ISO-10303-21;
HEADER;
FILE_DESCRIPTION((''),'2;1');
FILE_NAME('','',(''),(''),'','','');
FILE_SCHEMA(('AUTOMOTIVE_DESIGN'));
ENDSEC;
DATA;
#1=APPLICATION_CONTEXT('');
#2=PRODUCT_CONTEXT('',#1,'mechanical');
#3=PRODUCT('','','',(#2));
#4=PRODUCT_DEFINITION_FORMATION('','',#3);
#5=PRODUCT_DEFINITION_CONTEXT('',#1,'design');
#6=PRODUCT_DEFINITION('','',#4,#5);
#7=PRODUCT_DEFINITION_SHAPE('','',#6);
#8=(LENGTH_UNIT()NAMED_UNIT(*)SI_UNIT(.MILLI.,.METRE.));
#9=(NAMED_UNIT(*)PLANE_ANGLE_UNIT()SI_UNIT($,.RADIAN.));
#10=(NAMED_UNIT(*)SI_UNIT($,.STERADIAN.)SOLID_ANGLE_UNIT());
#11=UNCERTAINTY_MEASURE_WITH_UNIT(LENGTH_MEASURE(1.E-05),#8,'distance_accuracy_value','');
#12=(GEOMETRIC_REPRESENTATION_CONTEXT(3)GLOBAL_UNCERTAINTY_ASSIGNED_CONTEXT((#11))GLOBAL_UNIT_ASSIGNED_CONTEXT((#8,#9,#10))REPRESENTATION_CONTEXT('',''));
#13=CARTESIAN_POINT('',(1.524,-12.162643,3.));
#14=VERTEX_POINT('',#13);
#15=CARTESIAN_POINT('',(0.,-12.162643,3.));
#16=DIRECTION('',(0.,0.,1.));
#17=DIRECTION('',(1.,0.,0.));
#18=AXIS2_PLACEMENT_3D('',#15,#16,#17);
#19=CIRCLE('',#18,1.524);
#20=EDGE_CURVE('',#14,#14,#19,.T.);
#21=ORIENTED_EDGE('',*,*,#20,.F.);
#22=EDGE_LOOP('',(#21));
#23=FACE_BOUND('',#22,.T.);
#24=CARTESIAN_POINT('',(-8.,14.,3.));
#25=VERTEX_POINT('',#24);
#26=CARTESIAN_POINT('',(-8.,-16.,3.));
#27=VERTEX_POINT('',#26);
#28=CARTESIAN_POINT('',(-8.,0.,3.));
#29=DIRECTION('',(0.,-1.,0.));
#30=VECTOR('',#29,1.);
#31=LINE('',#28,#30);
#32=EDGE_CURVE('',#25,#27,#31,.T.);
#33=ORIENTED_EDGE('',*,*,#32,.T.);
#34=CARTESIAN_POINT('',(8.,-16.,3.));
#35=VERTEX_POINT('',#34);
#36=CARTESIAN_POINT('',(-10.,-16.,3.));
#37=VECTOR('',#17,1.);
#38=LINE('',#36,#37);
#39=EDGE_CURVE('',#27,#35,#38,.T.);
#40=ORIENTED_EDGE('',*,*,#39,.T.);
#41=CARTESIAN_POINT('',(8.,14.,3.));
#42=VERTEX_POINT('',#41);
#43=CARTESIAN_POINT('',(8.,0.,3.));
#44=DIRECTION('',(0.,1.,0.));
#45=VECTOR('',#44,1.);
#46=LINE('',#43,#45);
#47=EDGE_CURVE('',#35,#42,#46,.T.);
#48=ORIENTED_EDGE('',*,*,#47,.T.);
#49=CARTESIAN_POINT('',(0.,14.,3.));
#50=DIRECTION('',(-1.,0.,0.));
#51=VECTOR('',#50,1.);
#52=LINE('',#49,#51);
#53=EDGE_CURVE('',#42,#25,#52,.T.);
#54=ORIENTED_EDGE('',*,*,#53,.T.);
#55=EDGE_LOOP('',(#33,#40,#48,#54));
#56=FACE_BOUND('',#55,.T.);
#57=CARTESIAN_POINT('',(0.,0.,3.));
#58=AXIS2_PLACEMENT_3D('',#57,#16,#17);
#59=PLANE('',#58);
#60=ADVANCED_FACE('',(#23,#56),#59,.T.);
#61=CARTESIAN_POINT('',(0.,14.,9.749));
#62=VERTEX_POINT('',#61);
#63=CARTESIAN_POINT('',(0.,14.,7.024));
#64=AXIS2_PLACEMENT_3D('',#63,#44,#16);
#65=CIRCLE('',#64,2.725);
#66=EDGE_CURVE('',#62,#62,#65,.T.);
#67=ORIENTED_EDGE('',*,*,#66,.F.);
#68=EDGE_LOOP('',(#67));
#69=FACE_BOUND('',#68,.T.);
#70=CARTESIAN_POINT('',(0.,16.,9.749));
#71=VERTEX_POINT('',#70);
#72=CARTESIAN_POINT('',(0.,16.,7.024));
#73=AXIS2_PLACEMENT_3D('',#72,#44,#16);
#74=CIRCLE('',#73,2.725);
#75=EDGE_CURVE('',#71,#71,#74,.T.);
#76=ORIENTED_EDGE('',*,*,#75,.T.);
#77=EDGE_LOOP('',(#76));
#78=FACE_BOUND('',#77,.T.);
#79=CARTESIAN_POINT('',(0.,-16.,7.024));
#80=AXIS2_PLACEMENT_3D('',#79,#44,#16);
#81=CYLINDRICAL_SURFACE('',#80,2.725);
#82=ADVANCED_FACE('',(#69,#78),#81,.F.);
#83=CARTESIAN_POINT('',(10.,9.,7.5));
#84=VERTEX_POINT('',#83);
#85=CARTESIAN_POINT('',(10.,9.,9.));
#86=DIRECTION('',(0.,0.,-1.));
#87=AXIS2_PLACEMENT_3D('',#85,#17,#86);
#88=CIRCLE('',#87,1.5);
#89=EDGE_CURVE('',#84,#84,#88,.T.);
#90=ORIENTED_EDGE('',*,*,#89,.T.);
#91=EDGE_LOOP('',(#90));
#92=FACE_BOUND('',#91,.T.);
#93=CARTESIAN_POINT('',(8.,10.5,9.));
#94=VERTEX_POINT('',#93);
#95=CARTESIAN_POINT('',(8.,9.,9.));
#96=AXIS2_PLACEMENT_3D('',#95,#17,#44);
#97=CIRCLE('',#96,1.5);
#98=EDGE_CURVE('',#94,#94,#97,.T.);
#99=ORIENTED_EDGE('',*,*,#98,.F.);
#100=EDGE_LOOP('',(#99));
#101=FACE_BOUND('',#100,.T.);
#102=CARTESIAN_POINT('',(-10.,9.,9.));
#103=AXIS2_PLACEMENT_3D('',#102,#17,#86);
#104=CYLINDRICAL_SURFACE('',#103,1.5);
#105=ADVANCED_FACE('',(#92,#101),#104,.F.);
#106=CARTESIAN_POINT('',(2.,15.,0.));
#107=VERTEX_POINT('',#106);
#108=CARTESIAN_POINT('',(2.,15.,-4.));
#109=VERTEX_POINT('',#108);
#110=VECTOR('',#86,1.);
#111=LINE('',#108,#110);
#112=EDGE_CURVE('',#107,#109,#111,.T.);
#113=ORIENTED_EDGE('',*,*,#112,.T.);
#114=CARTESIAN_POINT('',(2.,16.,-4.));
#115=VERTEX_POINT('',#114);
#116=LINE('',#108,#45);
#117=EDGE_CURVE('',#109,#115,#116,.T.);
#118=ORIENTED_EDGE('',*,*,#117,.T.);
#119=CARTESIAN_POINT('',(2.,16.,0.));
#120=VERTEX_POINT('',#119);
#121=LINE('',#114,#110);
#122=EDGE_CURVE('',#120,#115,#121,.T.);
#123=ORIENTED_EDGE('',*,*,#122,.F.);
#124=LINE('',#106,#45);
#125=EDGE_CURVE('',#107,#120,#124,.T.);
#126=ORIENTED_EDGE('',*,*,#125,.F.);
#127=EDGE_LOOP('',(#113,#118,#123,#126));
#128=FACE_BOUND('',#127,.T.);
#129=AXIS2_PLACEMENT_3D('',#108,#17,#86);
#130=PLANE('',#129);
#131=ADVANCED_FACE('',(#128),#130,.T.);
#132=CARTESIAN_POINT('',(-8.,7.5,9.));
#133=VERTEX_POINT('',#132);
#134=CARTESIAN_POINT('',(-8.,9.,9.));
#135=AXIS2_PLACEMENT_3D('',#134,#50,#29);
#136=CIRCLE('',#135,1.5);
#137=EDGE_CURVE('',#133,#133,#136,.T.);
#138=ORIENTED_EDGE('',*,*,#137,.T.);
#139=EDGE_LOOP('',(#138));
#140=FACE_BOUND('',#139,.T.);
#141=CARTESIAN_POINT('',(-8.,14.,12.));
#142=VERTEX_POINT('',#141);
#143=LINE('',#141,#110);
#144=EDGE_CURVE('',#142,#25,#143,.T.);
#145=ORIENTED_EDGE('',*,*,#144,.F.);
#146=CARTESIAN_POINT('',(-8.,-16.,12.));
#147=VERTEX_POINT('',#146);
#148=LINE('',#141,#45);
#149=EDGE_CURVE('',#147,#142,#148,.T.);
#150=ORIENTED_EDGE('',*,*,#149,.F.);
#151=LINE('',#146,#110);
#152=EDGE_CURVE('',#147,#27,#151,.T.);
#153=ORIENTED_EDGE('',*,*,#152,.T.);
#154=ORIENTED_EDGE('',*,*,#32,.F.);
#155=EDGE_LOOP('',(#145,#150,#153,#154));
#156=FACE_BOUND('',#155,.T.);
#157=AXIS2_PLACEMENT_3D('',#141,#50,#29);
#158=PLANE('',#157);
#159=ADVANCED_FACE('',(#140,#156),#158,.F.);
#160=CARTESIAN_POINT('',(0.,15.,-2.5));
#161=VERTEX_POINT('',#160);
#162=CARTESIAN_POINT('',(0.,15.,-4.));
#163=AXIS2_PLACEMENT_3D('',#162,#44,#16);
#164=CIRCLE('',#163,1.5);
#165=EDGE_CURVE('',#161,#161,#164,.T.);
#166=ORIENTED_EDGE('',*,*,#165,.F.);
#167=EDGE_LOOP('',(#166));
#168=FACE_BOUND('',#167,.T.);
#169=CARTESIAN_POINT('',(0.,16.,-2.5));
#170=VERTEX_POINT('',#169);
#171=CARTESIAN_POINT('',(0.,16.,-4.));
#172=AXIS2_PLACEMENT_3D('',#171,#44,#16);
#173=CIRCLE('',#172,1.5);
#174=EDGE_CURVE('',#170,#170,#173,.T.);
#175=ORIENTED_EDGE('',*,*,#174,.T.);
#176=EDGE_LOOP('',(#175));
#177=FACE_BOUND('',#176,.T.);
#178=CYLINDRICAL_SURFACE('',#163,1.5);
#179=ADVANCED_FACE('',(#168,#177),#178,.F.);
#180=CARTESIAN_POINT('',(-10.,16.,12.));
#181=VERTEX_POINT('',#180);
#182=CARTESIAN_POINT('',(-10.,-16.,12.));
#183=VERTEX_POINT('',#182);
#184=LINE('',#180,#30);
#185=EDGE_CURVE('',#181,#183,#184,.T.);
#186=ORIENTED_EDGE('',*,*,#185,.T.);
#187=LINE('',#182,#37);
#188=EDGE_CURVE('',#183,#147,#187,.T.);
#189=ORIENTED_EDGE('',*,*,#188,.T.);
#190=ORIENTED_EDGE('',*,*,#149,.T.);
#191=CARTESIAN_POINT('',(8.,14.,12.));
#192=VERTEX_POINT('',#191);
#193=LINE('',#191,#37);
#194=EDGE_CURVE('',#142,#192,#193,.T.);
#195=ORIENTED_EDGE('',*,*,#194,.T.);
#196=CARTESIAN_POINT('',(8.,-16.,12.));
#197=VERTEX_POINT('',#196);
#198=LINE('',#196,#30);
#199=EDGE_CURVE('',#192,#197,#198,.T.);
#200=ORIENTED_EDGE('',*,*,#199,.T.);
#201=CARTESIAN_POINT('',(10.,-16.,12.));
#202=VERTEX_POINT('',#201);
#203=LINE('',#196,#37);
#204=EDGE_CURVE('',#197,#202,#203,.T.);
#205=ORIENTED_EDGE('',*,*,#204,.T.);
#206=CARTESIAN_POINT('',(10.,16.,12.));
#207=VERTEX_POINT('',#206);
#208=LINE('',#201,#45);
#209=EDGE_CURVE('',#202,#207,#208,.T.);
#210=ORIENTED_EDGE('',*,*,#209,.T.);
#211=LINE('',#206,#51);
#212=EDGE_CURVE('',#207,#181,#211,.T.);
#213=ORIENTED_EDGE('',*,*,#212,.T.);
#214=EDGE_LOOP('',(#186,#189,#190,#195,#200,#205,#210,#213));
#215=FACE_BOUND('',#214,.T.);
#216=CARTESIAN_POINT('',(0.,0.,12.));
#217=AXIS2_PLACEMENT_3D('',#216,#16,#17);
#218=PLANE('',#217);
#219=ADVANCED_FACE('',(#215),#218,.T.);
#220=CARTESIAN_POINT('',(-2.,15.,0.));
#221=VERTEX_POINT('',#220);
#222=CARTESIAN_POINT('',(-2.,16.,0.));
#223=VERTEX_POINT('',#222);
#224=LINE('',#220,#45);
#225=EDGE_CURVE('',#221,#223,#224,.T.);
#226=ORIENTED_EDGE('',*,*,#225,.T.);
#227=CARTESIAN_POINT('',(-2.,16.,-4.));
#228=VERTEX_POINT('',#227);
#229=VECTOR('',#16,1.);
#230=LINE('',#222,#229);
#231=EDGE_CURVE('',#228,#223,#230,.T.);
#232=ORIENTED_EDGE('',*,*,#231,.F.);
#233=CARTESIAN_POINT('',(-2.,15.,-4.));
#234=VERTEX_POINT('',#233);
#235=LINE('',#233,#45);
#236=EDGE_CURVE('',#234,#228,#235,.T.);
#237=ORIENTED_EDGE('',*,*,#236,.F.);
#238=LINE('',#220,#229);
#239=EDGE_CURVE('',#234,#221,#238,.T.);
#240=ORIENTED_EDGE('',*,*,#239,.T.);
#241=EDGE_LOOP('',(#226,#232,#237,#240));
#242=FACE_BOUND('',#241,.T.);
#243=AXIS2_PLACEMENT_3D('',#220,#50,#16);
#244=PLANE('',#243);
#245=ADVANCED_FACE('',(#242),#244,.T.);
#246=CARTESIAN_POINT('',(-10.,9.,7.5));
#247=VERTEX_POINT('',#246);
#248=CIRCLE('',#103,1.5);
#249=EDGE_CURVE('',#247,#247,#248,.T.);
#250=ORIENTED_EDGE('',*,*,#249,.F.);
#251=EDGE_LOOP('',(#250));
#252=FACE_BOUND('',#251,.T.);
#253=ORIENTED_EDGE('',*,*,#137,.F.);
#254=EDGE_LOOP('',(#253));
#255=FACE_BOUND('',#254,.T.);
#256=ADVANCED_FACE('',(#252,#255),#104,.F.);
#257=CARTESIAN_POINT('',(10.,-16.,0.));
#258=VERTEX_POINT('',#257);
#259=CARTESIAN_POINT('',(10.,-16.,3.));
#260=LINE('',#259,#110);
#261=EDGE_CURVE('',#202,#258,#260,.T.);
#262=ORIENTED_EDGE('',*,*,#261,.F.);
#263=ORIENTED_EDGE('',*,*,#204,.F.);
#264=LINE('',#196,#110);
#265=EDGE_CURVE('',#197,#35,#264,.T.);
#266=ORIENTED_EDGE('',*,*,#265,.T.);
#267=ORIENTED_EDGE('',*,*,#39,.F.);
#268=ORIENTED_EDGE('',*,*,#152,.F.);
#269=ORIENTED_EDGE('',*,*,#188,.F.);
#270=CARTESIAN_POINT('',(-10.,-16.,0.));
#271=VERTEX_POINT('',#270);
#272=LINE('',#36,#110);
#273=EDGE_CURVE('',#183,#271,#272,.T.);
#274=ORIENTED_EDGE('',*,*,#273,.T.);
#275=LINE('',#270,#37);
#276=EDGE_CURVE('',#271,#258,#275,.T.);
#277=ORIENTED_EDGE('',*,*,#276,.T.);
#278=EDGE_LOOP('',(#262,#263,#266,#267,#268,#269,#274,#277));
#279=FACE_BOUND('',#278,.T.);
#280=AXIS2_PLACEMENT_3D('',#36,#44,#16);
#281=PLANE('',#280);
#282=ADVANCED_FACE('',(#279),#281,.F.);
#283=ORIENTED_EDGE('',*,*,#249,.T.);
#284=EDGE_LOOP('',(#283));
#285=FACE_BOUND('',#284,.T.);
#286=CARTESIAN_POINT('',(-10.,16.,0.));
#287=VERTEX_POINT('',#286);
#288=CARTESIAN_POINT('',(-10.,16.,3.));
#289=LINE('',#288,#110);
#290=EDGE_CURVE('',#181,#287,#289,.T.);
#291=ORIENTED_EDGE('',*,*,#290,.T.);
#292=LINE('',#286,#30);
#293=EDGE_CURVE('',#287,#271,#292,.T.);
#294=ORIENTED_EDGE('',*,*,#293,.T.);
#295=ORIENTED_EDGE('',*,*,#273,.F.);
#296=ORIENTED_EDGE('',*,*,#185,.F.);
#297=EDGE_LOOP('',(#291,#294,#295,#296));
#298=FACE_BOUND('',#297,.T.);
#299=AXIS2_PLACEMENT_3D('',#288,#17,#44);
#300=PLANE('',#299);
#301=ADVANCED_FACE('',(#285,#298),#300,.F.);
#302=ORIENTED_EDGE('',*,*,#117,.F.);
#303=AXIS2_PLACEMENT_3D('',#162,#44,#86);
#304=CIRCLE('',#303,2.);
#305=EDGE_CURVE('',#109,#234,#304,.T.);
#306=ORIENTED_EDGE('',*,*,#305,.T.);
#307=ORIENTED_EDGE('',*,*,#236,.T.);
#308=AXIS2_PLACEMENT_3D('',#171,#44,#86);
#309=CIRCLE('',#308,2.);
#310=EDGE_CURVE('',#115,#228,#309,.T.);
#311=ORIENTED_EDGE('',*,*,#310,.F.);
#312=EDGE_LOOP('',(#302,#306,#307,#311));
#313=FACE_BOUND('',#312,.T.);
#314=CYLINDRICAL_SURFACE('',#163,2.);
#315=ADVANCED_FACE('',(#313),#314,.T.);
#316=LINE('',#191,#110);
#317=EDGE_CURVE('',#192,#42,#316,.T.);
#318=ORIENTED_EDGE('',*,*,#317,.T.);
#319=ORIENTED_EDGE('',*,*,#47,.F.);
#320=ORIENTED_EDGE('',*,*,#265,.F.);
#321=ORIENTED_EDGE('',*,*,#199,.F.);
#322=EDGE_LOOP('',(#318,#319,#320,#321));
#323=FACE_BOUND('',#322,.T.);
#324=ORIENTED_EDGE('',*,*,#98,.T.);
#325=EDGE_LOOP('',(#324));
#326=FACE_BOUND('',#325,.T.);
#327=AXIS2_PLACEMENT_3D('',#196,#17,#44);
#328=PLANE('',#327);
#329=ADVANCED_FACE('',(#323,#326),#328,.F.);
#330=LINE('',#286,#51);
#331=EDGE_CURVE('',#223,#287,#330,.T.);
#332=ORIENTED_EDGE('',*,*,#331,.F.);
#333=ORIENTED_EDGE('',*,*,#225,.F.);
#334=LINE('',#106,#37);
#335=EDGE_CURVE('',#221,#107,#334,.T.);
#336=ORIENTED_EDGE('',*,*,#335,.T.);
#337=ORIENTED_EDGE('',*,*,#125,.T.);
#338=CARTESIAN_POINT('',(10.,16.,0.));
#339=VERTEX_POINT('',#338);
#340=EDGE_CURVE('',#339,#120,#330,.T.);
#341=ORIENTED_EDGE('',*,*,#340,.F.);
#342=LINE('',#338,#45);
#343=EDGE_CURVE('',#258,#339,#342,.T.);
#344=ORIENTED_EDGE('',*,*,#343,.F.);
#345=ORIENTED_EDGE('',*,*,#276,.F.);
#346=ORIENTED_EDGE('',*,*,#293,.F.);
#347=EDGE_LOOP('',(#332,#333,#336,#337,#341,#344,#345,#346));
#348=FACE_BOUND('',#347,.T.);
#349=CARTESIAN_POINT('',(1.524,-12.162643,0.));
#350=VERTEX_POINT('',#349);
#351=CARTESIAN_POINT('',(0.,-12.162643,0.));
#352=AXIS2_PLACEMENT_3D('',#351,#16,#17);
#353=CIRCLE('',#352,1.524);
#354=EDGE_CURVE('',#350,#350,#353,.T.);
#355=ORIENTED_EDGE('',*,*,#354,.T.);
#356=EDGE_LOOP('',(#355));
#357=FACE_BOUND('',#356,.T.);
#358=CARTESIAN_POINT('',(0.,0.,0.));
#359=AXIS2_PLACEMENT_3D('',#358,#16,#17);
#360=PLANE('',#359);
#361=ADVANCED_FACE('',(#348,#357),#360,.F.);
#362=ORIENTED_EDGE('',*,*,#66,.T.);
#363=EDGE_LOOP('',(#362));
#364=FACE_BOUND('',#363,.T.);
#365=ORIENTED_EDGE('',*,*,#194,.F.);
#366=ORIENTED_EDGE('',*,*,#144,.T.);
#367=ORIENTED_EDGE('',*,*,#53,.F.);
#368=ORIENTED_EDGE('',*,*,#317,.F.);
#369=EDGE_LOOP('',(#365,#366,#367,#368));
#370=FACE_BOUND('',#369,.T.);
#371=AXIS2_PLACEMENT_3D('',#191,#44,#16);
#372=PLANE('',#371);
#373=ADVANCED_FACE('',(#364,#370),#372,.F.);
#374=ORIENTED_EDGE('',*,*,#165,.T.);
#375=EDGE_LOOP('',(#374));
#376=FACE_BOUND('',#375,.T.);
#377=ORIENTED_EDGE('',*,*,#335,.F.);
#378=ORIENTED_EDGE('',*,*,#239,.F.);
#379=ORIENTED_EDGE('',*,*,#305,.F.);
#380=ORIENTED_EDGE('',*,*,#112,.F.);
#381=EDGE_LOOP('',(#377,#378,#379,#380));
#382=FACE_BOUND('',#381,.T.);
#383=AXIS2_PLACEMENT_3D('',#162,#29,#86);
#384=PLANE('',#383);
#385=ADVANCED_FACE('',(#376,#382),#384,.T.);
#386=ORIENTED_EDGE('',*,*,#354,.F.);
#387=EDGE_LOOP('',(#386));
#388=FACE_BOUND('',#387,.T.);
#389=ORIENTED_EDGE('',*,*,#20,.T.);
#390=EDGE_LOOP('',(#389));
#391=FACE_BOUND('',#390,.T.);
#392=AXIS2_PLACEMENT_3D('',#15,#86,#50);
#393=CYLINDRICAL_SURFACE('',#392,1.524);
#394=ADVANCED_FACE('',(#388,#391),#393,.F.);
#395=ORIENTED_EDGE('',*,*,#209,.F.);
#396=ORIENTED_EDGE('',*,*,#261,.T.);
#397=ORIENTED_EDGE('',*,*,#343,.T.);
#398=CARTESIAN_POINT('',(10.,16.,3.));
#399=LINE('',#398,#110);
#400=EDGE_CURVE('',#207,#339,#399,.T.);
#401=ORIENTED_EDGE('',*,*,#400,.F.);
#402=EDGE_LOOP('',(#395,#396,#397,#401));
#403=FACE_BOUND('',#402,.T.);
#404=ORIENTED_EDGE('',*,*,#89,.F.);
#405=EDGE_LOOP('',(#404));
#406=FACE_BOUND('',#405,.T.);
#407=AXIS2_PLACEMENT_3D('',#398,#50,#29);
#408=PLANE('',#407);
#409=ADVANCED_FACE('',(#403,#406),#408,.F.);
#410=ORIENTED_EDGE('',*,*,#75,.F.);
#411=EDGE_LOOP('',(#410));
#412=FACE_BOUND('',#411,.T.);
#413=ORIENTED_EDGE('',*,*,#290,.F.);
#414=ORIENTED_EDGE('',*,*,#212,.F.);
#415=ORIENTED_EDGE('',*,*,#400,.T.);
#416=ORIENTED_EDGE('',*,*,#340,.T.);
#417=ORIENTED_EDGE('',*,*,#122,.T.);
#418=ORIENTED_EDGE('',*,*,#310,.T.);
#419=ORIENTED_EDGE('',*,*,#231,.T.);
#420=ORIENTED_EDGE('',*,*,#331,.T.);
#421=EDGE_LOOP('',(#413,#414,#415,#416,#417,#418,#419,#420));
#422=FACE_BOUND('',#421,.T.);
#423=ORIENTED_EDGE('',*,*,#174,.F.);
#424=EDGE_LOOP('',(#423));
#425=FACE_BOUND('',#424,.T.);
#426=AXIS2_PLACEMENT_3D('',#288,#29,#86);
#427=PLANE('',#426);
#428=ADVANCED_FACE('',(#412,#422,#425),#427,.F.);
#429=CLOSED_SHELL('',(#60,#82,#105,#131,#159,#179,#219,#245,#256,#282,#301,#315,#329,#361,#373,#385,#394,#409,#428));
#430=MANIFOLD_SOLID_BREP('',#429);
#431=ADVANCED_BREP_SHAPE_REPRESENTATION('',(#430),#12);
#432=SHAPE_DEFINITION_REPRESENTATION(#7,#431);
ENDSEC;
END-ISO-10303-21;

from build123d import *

# Parameters (mm, degrees)
ESQUISSE1_W                  = 20
ESQUISSE1_H                  = 32
ESQUISSE1_R                  = 1.524
BOSS_EXTRU_1_DEPTH           = 3
BOSS_EXTRU_2_DEPTH           = 12
ENL_V_MAT_EXTRU_1_DEPTH      = 23.360679775
ENL_V_MAT_EXTRU_1_DEPTH_BACK = 23.360679775
ESQUISSE3_R                  = 2.725
ENL_V_MAT_EXTRU_2_DEPTH      = 23.360679775
ENL_V_MAT_EXTRU_2_DEPTH_BACK = 23.360679775
ESQUISSE4_R                  = 1.5
ESQUISSE5_R                  = 1.5
BOSS_EXTRU_3_DEPTH           = 1


with BuildPart() as part:
    # Esquisse1 → Boss.-Extru.1 (new body)
    with BuildSketch(Plane.XY):
        Rectangle(ESQUISSE1_W, ESQUISSE1_H)
        with Locations((0, -12.162643372)):
            Circle(ESQUISSE1_R, mode=Mode.SUBTRACT)
    extrude(amount=BOSS_EXTRU_1_DEPTH)

    # Esquisse2 → Boss.-Extru.2 (add)
    with BuildSketch(Plane.XY):
        Polygon((8, -16), (10, -16), (10, 16), (-10, 16), (-10, -16), (-8, -16), (-8, 14), (8, 14), align=None)
    extrude(amount=BOSS_EXTRU_2_DEPTH)

    # Esquisse3 → Enlèv. mat.-Extru.1 (cut, two sides: drawn at the far end of the back side and taken through both)
    with BuildSketch(Plane(origin=(0, 0, 0), x_dir=(1, 0, 0), z_dir=(0, 1, 0)).offset(-ENL_V_MAT_EXTRU_1_DEPTH_BACK)):
        with Locations(Location((0, -7.024, 0), (0, 0, 270))):
            Circle(ESQUISSE3_R)
    extrude(amount=ENL_V_MAT_EXTRU_1_DEPTH + ENL_V_MAT_EXTRU_1_DEPTH_BACK, mode=Mode.SUBTRACT)

    # Esquisse4 → Enlèv. mat.-Extru.2 (cut, two sides: drawn at the far end of the back side and taken through both)
    with BuildSketch(Plane(origin=(0, 0, 0), x_dir=(0, 0, -1), z_dir=(1, 0, 0)).offset(-ENL_V_MAT_EXTRU_2_DEPTH_BACK)):
        with Locations((-9, 9)):
            Circle(ESQUISSE4_R)
    extrude(amount=ENL_V_MAT_EXTRU_2_DEPTH + ENL_V_MAT_EXTRU_2_DEPTH_BACK, mode=Mode.SUBTRACT)

    # Esquisse5 → Boss.-Extru.3 (add)
    with BuildSketch(Plane(origin=(0, 16, 0), x_dir=(1, 0, 0), z_dir=(0, 1, 0))):
        with BuildLine():
            Line((-2, 0), (-2, 4))
            ThreePointArc((-2, 4), (0, 6), (2, 4))
            Line((2, 4), (2, 0))
            Line((2, 0), (-2, 0))
        make_face()
        with Locations(Location((0, 4, 0), (0, 0, 270))):
            Circle(ESQUISSE5_R, mode=Mode.SUBTRACT)
    extrude(amount=-BOSS_EXTRU_3_DEPTH)


solid = part.part
